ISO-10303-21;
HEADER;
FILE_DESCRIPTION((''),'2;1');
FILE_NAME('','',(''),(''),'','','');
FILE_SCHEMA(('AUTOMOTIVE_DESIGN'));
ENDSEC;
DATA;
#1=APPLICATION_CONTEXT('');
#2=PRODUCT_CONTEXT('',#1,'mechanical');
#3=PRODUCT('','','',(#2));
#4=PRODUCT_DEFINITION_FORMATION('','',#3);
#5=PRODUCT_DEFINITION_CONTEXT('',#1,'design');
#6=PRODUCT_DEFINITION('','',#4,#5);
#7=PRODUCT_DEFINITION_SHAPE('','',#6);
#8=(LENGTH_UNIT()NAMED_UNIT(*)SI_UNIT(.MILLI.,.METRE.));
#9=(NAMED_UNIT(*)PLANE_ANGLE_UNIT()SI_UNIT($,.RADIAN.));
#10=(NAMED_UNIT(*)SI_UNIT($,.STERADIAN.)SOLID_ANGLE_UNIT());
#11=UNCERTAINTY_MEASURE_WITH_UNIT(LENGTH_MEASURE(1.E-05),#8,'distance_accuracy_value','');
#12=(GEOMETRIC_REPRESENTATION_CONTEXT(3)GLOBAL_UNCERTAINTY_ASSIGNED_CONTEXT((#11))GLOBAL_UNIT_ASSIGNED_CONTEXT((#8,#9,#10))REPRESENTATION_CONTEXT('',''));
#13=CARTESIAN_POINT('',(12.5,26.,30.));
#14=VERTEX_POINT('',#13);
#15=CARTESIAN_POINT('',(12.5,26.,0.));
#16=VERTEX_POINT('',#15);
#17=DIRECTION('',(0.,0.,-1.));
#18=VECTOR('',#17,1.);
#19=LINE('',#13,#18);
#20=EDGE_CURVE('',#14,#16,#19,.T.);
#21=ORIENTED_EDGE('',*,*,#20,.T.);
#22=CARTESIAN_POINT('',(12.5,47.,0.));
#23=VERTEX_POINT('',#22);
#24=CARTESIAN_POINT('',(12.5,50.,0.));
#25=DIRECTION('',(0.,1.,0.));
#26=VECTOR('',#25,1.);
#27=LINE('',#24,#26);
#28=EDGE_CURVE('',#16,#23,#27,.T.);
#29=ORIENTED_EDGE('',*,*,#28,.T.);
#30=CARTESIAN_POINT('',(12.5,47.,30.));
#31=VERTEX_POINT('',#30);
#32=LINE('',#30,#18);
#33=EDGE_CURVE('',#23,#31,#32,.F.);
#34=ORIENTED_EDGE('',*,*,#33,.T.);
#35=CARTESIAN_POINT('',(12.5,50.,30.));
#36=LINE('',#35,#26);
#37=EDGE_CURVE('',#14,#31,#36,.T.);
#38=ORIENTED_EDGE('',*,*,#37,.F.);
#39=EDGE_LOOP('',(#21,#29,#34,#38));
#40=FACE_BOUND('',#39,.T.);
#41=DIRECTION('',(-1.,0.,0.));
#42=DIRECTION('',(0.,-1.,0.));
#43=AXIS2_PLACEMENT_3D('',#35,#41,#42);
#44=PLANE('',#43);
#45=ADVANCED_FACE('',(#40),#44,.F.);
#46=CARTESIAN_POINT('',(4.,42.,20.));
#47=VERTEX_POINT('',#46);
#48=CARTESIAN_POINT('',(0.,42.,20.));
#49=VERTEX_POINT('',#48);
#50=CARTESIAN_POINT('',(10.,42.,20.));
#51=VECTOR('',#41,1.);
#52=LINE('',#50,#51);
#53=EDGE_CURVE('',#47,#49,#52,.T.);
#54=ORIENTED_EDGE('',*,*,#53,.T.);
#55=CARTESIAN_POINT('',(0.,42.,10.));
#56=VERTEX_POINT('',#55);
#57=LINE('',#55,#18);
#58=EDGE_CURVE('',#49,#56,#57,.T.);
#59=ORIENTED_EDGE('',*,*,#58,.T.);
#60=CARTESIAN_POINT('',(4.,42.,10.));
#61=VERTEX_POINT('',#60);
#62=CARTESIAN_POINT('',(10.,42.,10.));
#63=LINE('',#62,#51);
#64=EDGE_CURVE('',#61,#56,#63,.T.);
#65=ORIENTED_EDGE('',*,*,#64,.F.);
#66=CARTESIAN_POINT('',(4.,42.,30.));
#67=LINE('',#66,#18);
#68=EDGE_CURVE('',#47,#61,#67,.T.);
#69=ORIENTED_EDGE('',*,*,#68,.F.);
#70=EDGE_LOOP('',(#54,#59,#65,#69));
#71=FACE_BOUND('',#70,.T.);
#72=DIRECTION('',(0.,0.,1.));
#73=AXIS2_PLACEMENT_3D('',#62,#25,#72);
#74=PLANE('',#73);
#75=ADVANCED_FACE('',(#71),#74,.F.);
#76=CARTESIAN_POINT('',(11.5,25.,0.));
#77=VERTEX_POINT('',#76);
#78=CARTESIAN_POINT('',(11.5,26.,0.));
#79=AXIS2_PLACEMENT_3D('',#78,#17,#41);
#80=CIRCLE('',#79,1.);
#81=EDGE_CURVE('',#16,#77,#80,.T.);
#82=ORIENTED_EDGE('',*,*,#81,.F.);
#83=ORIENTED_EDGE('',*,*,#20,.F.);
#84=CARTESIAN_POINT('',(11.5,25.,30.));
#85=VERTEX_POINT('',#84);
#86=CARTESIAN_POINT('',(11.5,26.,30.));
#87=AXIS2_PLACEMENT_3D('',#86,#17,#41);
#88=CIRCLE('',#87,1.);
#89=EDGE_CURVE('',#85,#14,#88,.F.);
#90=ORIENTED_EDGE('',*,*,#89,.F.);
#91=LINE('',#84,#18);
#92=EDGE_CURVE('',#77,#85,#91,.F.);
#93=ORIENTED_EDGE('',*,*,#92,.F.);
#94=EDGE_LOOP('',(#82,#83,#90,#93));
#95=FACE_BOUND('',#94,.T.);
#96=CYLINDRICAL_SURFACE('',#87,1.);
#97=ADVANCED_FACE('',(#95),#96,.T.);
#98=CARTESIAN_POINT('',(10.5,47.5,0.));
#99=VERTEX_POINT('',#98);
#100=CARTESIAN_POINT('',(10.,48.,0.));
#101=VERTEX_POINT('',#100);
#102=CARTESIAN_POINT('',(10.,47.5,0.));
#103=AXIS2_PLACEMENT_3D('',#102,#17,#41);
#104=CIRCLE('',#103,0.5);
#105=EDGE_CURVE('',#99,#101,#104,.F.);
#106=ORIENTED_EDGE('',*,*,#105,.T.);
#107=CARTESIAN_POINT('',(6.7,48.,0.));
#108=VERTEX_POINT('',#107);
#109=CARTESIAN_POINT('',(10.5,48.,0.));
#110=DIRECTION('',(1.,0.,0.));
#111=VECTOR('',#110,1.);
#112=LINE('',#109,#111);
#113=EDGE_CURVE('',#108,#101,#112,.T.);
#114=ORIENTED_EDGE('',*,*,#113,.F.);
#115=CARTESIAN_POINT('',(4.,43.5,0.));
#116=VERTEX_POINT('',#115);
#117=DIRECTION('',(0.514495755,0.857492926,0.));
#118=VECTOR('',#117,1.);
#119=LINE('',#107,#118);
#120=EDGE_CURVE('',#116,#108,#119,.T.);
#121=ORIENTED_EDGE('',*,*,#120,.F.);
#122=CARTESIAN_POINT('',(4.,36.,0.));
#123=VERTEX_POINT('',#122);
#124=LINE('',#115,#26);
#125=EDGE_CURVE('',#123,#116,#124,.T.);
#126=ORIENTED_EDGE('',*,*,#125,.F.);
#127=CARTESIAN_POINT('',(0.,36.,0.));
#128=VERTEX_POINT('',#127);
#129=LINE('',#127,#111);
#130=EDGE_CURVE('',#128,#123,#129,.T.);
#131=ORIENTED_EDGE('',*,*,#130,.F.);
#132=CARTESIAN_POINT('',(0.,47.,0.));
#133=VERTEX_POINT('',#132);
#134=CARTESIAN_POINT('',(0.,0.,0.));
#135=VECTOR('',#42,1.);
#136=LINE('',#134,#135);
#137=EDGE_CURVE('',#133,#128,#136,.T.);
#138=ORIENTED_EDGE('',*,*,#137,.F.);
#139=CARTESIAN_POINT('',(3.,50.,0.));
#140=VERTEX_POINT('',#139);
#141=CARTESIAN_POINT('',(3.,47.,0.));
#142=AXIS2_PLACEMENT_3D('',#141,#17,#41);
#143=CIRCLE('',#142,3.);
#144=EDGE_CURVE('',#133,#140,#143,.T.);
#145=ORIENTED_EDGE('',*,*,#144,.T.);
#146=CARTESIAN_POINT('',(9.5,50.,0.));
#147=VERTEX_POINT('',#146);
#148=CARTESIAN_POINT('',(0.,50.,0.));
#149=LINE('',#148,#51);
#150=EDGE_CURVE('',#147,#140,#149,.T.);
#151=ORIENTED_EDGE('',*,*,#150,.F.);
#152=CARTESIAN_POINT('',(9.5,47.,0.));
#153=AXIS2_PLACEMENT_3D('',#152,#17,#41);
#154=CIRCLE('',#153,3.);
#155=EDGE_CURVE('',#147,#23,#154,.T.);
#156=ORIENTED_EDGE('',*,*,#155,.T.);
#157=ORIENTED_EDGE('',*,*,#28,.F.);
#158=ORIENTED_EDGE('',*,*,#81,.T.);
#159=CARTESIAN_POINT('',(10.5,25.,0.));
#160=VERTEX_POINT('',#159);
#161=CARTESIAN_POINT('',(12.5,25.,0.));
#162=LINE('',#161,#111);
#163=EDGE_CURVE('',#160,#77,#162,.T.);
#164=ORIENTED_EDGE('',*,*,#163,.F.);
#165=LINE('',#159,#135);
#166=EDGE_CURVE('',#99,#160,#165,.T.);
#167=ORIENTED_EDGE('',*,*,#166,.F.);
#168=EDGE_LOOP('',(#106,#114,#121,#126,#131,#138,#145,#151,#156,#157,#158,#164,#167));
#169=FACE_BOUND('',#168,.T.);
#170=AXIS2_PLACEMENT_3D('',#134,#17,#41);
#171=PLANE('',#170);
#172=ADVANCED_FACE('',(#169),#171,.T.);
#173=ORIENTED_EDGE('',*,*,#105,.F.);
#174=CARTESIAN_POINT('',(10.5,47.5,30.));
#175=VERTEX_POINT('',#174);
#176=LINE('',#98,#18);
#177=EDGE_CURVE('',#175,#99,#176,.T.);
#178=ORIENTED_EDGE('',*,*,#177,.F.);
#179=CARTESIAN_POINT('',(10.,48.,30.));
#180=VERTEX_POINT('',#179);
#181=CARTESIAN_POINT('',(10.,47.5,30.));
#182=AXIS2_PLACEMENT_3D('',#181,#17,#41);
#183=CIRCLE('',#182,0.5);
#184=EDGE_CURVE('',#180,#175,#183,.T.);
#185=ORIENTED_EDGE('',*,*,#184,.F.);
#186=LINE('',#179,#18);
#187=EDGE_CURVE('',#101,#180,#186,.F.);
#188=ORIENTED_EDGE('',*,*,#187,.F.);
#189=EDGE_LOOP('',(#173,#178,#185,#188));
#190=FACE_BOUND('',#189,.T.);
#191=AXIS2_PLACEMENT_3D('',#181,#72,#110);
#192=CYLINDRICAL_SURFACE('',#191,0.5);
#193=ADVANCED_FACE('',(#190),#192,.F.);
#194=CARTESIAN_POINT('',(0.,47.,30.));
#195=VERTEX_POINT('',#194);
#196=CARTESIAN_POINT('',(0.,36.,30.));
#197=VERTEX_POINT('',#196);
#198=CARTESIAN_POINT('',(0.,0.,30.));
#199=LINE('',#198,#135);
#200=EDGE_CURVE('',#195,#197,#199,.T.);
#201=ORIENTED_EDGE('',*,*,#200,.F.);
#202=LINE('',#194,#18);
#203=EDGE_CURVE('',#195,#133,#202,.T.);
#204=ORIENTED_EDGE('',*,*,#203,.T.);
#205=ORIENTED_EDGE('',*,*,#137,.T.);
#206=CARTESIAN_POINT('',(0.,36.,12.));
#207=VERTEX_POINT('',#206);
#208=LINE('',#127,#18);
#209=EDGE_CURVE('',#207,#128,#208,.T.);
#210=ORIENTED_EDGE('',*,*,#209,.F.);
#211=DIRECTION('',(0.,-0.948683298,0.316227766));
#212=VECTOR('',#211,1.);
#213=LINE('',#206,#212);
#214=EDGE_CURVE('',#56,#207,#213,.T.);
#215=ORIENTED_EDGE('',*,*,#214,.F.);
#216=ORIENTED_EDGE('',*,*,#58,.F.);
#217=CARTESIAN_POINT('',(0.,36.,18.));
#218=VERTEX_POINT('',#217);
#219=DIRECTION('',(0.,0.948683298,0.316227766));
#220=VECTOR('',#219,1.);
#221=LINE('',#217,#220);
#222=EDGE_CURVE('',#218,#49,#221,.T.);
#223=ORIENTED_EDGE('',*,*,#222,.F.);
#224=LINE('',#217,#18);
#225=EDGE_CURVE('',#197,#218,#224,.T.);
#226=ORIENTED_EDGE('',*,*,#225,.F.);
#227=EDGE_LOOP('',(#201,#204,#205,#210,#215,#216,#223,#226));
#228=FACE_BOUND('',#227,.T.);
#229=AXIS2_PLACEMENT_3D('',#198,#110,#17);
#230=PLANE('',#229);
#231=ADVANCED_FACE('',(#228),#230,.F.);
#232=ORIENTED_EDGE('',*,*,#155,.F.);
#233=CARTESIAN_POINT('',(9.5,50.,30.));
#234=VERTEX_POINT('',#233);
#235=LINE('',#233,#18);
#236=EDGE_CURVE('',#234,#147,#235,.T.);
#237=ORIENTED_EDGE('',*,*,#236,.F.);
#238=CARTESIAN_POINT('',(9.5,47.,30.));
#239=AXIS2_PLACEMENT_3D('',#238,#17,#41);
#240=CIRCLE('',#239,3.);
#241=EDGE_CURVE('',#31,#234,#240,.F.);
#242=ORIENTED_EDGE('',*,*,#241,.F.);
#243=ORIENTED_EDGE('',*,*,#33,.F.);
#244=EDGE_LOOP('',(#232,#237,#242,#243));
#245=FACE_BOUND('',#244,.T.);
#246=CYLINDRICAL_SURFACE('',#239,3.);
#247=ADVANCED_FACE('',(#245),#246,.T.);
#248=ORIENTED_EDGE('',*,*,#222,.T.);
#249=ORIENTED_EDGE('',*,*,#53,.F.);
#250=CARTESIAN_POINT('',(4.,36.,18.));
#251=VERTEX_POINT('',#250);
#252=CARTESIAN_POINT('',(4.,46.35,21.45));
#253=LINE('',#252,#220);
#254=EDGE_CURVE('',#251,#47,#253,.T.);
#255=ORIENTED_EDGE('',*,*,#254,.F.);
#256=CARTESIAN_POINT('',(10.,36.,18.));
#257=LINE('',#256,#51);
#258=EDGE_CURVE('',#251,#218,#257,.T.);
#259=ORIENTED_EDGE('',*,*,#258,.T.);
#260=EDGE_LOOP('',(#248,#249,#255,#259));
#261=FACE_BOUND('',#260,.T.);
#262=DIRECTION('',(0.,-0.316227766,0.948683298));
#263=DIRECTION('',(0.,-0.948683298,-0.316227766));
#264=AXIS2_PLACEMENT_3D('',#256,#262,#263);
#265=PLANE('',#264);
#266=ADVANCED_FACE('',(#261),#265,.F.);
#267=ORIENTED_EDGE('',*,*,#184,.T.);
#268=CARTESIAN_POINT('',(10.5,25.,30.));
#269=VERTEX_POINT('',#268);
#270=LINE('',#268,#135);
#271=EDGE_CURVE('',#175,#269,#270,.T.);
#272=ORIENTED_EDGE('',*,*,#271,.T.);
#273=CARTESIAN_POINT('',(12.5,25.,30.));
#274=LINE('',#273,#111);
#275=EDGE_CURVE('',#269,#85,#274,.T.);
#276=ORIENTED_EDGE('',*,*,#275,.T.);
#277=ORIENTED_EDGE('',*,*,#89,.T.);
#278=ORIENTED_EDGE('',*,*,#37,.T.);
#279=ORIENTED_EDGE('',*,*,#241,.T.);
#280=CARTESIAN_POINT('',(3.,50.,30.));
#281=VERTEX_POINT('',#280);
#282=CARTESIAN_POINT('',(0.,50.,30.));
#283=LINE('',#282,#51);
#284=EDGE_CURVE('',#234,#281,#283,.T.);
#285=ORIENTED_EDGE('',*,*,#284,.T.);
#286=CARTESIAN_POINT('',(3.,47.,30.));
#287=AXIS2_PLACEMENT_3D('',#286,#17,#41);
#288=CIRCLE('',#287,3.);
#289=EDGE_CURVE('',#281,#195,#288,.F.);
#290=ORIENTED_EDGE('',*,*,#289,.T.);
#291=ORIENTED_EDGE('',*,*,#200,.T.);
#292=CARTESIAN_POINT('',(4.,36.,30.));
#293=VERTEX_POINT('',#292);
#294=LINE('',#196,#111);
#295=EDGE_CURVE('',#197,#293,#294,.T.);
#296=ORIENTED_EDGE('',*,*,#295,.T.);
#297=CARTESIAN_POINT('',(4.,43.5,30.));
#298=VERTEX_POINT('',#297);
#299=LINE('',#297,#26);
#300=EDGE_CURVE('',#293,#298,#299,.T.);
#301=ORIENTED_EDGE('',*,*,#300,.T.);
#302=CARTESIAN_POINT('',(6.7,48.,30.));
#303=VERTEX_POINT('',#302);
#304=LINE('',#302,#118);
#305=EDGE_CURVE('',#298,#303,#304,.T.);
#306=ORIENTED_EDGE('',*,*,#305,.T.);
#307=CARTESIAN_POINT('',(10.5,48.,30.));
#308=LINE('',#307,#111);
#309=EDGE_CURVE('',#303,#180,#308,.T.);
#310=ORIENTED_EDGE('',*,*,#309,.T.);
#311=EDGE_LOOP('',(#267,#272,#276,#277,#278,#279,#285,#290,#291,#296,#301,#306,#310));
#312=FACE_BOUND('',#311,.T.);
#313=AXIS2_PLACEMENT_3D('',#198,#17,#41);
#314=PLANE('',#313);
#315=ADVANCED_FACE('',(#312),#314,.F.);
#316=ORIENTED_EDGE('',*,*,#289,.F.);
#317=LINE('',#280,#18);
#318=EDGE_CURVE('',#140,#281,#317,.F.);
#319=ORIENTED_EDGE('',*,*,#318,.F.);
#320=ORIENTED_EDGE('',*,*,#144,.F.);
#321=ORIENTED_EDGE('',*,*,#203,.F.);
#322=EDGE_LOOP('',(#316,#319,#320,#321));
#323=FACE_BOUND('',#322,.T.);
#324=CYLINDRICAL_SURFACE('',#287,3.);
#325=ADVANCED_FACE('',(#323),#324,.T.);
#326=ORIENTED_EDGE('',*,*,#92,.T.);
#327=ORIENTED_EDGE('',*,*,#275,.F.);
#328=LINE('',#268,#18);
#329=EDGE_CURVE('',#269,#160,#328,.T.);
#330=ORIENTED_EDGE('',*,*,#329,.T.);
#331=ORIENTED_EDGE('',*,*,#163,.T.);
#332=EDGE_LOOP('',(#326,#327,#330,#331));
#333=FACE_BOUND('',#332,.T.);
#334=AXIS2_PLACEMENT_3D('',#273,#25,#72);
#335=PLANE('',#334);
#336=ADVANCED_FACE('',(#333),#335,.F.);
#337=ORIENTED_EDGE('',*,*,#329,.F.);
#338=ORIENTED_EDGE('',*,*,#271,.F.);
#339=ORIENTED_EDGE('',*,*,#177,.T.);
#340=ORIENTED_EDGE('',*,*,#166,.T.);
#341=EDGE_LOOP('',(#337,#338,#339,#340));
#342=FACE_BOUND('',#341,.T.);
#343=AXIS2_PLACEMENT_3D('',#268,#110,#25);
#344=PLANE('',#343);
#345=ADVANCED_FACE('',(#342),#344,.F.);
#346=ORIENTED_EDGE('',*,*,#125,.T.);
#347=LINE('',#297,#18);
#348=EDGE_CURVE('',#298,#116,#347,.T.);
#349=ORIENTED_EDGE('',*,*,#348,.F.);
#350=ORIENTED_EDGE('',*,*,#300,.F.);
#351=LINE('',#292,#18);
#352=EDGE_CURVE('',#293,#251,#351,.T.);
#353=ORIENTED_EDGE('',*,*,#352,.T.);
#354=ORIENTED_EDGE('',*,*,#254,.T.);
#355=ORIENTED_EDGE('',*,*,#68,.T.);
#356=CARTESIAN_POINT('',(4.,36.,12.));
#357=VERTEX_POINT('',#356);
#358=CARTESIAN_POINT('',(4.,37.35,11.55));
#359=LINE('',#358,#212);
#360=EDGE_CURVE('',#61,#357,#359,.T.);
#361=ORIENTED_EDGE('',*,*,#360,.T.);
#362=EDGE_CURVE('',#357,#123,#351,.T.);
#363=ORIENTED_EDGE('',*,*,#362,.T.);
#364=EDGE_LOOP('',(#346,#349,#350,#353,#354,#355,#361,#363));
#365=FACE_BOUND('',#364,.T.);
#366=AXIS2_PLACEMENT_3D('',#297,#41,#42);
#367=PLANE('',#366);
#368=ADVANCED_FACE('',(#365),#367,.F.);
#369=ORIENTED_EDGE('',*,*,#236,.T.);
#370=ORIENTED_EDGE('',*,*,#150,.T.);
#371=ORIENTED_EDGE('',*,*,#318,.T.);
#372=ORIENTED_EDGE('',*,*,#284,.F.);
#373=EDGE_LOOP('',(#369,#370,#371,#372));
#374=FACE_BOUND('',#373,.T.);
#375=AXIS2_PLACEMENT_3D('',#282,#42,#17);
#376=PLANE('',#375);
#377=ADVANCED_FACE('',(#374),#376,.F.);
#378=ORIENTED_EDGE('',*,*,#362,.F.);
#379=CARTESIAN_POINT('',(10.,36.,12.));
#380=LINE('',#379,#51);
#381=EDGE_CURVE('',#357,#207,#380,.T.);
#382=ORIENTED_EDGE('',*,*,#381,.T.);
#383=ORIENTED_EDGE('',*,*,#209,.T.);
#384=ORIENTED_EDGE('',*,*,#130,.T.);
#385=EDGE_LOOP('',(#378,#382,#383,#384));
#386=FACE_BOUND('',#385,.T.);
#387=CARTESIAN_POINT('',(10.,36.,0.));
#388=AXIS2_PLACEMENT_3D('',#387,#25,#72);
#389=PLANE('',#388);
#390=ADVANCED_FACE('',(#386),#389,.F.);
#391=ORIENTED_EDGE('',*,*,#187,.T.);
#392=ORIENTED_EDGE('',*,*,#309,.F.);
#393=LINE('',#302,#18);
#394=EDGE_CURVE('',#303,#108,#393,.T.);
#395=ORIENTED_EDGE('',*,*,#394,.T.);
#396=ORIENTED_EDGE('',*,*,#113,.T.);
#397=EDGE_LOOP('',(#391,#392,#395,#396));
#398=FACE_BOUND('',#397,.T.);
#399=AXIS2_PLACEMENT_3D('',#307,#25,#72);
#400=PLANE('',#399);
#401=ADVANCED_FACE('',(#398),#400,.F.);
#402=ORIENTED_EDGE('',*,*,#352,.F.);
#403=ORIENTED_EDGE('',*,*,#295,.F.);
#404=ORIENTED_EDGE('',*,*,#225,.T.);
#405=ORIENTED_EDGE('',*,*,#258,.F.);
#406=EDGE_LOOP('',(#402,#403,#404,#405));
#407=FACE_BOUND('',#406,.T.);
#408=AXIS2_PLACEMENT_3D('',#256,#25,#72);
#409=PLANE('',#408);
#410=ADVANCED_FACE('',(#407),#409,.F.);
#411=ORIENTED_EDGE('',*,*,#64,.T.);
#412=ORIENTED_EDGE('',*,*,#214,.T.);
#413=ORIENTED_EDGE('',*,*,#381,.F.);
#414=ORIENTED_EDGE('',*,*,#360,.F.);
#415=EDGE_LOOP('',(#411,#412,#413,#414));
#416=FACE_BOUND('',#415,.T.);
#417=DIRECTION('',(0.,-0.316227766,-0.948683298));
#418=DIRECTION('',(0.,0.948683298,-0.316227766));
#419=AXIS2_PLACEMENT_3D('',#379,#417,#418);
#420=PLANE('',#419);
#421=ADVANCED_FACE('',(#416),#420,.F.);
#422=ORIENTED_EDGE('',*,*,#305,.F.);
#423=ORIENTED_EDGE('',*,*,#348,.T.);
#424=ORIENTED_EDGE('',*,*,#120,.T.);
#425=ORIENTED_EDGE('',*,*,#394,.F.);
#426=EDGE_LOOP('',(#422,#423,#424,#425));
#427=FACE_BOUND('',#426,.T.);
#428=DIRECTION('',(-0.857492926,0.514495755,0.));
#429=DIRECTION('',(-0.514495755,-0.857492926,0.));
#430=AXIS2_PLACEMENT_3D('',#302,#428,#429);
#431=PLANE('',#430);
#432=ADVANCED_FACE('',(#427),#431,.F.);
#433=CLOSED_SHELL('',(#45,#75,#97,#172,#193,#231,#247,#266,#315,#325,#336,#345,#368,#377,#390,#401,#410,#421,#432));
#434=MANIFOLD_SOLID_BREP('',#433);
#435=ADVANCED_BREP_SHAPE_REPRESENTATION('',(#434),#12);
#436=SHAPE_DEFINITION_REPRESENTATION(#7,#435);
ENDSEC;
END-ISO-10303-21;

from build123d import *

# Parameters (mm, degrees)
BOSS_EXTRUDE1_DEPTH = 30
FILLET1_R           = 3
FILLET2_R           = 0.5
FILLET3_R           = 1
CUT_EXTRUDE1_DEPTH  = 10


with BuildPart() as part:
    # Sketch1 → Boss-Extrude1 (new body)
    with BuildSketch(Plane.XY):
        Polygon((0, 0), (0, 50), (12.5, 50), (12.5, 25), (10.5, 25), (10.5, 48), (6.7, 48), (4, 43.5), (4, 0), align=None)
    extrude(amount=BOSS_EXTRUDE1_DEPTH)

    # Fillet1
    fillet1_edges = [part.edges().sort_by_distance(p)[0] for p in [
        (0, 50, 15),
        (12.5, 50, 15),
    ]]
    fillet(fillet1_edges, radius=FILLET1_R)

    # Fillet2
    fillet2_edges = [part.edges().sort_by_distance(p)[0] for p in [
        (10.5, 48, 15),
    ]]
    fillet(fillet2_edges, radius=FILLET2_R)

    # Fillet3
    fillet3_edges = [part.edges().sort_by_distance(p)[0] for p in [
        (12.5, 25, 15),
    ]]
    fillet(fillet3_edges, radius=FILLET3_R)

    # Sketch2 → Cut-Extrude1 (cut)
    with BuildSketch(Plane.ZY):
        Polygon((10, 42), (20, 42), (18, 36), (30, 36), (30, 0), (0, 0), (0, 36), (12, 36), align=None)
    extrude(amount=-CUT_EXTRUDE1_DEPTH, mode=Mode.SUBTRACT)


solid = part.part
